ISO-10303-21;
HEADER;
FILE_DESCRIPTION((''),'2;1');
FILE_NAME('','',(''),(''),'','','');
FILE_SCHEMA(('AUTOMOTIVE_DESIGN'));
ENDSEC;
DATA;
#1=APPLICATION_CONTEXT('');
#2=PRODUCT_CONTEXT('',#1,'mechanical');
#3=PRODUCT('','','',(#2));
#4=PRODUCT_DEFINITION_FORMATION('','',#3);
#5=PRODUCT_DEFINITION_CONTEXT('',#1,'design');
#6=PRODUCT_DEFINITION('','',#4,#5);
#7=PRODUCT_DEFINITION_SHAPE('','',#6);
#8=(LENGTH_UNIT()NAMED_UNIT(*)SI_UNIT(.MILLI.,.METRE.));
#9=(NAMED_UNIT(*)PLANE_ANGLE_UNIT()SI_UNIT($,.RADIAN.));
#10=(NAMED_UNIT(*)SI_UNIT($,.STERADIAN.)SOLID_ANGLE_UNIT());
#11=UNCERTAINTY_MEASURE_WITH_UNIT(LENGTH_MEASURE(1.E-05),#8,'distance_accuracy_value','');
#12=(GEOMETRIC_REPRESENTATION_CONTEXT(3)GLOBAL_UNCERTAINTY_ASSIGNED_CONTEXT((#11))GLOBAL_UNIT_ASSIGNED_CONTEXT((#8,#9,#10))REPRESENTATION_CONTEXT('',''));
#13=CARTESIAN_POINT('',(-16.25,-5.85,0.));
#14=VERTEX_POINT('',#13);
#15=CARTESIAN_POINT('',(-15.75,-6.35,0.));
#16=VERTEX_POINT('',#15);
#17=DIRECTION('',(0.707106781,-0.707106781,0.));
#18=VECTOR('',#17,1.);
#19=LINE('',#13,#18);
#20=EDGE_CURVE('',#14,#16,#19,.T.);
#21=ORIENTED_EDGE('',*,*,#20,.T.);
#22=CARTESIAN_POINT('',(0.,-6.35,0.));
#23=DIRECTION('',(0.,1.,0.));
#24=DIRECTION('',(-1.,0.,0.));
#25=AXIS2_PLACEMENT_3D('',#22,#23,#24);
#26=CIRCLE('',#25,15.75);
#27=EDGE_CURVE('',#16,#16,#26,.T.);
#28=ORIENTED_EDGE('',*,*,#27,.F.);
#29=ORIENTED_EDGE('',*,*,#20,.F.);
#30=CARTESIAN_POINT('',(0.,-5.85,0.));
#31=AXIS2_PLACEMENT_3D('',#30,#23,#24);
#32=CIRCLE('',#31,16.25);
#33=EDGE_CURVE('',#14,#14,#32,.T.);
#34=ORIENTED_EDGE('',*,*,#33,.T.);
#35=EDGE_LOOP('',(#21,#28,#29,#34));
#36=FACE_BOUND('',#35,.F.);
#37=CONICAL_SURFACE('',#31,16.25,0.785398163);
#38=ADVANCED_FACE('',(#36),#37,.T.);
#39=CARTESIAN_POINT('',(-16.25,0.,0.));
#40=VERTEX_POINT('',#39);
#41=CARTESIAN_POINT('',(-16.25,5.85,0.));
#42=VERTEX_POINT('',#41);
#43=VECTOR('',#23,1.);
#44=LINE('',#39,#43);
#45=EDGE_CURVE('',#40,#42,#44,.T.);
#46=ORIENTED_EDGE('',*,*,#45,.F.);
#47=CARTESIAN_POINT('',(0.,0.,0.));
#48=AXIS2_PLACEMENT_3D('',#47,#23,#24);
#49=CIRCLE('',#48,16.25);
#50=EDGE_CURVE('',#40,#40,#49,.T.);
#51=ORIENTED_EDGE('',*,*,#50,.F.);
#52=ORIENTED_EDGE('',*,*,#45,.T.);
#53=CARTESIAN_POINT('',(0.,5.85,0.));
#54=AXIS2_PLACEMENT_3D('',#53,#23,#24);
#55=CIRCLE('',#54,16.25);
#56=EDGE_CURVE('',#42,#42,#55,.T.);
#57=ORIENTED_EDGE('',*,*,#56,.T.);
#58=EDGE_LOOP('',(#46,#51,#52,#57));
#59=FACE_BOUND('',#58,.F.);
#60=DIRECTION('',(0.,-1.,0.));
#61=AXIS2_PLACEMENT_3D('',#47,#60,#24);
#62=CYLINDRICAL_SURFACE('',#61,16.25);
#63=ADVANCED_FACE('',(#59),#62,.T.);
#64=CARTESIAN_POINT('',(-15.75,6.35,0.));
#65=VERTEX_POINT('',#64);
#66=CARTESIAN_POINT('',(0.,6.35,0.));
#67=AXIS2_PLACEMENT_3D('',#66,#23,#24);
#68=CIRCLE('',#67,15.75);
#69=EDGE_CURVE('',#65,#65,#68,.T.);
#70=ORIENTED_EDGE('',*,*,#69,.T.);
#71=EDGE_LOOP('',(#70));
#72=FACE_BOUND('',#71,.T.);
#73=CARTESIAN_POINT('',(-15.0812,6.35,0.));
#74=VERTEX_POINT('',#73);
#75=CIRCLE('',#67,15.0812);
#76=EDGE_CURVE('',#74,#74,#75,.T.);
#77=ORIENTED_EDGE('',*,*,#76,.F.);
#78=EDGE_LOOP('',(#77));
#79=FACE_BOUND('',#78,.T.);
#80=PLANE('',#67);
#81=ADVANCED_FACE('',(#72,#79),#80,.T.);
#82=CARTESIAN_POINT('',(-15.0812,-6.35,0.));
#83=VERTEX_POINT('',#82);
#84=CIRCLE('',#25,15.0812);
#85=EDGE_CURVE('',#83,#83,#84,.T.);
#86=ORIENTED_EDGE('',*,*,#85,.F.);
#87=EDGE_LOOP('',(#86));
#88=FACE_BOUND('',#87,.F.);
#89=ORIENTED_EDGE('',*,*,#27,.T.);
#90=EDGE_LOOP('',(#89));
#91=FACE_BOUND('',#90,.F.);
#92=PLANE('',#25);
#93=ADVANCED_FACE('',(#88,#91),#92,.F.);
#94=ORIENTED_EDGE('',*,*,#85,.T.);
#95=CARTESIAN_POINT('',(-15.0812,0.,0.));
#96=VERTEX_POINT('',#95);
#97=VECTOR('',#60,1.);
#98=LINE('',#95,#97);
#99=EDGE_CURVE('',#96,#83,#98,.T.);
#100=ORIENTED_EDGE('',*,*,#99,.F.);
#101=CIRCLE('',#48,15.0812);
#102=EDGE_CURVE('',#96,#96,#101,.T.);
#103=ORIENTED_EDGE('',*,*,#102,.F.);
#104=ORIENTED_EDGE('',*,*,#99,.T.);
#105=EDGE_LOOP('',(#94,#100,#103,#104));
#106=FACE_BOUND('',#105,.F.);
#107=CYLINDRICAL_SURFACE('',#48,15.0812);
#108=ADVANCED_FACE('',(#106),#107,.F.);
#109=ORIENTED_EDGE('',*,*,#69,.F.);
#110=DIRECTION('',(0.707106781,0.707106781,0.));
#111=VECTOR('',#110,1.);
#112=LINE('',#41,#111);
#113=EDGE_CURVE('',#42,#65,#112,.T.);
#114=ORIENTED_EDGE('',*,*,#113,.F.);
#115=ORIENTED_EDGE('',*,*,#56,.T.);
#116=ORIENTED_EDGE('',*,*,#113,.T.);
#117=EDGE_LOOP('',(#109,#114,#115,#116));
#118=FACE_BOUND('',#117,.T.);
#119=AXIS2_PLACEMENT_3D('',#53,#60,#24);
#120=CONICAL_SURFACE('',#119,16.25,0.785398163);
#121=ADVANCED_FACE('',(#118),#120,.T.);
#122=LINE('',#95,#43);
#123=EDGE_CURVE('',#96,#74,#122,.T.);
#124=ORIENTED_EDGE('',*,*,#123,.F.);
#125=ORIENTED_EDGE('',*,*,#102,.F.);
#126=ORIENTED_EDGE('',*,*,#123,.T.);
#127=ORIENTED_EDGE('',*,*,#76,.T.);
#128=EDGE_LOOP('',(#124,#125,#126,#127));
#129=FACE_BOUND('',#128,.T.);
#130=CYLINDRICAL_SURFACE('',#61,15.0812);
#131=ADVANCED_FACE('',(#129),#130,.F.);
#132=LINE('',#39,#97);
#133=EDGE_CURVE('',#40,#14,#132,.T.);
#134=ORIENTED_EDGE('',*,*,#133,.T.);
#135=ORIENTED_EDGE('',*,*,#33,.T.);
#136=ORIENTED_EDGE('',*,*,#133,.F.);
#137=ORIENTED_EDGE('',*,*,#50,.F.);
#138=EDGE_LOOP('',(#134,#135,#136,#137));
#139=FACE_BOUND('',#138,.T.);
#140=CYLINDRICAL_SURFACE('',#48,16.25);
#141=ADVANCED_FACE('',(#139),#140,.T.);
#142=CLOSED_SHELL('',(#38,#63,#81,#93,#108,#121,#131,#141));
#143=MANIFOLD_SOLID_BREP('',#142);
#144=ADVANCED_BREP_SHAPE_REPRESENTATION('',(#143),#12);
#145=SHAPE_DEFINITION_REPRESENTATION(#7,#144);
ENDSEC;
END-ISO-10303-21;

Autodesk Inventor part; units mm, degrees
sketch "Sketch2" plane through (0, 0, 0) normal (0, 1, 0) x (-1, 0, 0)
  circle A0 centre (0, 0) radius 15.0812
  circle A1 centre (0, 0) radius 16.25
  dimension "d7" = 30.1625
  dimension "d16" = 32.5
  dimension "d17" = 1.1687
extrude "Extrusion2" add sketch "Sketch2" along normal mid plane 12.7
chamfer "Chamfer4" distance 0.5 angle 45 2 edges at (16.25, 6.35, 0) (16.25, -6.35, 0)
equation "\"Bearing_OD\" = 30.1625"
properties part number "Outboard_Bearing_Housing"
